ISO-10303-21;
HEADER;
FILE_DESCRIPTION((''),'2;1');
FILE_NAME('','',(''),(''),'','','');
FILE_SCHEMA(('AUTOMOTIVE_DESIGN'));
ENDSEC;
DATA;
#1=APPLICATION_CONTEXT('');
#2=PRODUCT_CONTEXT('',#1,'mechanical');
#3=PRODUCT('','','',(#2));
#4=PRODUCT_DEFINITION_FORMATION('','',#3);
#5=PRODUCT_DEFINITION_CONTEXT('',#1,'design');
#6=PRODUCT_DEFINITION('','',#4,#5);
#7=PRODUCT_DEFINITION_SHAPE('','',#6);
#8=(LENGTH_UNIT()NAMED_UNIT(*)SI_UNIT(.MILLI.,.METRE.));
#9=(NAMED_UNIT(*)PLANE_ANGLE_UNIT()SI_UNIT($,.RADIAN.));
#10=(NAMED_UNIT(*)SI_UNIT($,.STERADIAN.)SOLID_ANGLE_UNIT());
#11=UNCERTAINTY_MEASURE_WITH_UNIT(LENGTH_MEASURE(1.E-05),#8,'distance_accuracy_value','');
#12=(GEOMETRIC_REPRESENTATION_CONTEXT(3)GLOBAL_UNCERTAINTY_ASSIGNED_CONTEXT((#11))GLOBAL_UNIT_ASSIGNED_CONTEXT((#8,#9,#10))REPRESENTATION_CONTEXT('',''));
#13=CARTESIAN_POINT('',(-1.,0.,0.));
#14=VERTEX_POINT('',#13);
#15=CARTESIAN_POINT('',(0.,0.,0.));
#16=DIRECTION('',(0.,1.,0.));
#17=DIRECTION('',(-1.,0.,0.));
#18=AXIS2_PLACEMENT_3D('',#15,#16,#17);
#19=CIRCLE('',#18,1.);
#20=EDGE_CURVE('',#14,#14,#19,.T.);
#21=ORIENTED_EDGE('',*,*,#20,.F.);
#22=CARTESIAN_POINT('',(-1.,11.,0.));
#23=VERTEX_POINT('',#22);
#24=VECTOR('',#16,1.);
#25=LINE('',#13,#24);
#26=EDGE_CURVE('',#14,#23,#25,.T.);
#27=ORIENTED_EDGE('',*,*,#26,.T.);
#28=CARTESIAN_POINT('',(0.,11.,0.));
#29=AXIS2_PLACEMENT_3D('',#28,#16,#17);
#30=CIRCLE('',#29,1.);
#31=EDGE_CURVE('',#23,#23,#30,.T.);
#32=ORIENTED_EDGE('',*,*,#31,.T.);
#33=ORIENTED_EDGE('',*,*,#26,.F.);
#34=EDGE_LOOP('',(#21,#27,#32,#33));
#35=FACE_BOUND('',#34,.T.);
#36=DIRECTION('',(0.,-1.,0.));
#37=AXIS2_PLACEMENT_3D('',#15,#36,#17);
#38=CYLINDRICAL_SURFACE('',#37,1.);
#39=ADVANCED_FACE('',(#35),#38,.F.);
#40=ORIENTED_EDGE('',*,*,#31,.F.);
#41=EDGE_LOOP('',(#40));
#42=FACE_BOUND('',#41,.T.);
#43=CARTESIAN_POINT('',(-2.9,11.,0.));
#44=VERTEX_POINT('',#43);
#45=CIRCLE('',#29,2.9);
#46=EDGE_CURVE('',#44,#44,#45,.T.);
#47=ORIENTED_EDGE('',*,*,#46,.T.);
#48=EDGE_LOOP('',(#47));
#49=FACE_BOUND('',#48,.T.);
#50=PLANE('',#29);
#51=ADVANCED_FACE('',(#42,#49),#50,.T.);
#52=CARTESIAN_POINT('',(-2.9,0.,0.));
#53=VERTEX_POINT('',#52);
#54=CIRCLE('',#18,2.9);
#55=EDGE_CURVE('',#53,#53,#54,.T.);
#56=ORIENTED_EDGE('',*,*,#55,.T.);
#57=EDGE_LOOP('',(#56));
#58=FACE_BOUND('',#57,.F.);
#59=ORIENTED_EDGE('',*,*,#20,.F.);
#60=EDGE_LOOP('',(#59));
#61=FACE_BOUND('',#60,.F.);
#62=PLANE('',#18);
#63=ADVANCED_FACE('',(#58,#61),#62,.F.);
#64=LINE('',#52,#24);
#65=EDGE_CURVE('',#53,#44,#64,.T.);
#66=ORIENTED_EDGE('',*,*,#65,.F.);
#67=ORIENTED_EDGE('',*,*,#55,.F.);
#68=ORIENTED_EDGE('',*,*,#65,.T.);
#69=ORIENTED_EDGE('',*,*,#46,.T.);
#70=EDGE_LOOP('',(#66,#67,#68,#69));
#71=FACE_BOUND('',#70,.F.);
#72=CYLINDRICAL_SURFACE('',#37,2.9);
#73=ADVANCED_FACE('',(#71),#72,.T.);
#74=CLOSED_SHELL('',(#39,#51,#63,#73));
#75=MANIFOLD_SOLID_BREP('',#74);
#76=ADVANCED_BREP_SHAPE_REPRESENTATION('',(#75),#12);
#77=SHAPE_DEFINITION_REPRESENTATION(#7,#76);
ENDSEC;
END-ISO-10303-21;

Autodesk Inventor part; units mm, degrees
ref_plane "YZ Plane" through (0, 0, 0) normal (1, 0, 0) x (0, 1, 0)
ref_plane "XZ Plane" through (0, 0, 0) normal (0, 1, 0) x (-1, 0, 0)
ref_plane "XY Plane" through (0, 0, 0) normal (0, 0, 1) x (1, 0, 0)
sketch "스케치1" plane through (0, 0, 0) normal (0, 1, 0) x (-1, 0, 0)
  circle A0 centre (0, 0) radius 2.9
  circle A1 centre (0, 0) radius 1
  dimension "d0" = 5.8
  dimension "d1" = 2
extrude "돌출1" add sketch "스케치1" along normal blind 11
properties part number "pillar"
